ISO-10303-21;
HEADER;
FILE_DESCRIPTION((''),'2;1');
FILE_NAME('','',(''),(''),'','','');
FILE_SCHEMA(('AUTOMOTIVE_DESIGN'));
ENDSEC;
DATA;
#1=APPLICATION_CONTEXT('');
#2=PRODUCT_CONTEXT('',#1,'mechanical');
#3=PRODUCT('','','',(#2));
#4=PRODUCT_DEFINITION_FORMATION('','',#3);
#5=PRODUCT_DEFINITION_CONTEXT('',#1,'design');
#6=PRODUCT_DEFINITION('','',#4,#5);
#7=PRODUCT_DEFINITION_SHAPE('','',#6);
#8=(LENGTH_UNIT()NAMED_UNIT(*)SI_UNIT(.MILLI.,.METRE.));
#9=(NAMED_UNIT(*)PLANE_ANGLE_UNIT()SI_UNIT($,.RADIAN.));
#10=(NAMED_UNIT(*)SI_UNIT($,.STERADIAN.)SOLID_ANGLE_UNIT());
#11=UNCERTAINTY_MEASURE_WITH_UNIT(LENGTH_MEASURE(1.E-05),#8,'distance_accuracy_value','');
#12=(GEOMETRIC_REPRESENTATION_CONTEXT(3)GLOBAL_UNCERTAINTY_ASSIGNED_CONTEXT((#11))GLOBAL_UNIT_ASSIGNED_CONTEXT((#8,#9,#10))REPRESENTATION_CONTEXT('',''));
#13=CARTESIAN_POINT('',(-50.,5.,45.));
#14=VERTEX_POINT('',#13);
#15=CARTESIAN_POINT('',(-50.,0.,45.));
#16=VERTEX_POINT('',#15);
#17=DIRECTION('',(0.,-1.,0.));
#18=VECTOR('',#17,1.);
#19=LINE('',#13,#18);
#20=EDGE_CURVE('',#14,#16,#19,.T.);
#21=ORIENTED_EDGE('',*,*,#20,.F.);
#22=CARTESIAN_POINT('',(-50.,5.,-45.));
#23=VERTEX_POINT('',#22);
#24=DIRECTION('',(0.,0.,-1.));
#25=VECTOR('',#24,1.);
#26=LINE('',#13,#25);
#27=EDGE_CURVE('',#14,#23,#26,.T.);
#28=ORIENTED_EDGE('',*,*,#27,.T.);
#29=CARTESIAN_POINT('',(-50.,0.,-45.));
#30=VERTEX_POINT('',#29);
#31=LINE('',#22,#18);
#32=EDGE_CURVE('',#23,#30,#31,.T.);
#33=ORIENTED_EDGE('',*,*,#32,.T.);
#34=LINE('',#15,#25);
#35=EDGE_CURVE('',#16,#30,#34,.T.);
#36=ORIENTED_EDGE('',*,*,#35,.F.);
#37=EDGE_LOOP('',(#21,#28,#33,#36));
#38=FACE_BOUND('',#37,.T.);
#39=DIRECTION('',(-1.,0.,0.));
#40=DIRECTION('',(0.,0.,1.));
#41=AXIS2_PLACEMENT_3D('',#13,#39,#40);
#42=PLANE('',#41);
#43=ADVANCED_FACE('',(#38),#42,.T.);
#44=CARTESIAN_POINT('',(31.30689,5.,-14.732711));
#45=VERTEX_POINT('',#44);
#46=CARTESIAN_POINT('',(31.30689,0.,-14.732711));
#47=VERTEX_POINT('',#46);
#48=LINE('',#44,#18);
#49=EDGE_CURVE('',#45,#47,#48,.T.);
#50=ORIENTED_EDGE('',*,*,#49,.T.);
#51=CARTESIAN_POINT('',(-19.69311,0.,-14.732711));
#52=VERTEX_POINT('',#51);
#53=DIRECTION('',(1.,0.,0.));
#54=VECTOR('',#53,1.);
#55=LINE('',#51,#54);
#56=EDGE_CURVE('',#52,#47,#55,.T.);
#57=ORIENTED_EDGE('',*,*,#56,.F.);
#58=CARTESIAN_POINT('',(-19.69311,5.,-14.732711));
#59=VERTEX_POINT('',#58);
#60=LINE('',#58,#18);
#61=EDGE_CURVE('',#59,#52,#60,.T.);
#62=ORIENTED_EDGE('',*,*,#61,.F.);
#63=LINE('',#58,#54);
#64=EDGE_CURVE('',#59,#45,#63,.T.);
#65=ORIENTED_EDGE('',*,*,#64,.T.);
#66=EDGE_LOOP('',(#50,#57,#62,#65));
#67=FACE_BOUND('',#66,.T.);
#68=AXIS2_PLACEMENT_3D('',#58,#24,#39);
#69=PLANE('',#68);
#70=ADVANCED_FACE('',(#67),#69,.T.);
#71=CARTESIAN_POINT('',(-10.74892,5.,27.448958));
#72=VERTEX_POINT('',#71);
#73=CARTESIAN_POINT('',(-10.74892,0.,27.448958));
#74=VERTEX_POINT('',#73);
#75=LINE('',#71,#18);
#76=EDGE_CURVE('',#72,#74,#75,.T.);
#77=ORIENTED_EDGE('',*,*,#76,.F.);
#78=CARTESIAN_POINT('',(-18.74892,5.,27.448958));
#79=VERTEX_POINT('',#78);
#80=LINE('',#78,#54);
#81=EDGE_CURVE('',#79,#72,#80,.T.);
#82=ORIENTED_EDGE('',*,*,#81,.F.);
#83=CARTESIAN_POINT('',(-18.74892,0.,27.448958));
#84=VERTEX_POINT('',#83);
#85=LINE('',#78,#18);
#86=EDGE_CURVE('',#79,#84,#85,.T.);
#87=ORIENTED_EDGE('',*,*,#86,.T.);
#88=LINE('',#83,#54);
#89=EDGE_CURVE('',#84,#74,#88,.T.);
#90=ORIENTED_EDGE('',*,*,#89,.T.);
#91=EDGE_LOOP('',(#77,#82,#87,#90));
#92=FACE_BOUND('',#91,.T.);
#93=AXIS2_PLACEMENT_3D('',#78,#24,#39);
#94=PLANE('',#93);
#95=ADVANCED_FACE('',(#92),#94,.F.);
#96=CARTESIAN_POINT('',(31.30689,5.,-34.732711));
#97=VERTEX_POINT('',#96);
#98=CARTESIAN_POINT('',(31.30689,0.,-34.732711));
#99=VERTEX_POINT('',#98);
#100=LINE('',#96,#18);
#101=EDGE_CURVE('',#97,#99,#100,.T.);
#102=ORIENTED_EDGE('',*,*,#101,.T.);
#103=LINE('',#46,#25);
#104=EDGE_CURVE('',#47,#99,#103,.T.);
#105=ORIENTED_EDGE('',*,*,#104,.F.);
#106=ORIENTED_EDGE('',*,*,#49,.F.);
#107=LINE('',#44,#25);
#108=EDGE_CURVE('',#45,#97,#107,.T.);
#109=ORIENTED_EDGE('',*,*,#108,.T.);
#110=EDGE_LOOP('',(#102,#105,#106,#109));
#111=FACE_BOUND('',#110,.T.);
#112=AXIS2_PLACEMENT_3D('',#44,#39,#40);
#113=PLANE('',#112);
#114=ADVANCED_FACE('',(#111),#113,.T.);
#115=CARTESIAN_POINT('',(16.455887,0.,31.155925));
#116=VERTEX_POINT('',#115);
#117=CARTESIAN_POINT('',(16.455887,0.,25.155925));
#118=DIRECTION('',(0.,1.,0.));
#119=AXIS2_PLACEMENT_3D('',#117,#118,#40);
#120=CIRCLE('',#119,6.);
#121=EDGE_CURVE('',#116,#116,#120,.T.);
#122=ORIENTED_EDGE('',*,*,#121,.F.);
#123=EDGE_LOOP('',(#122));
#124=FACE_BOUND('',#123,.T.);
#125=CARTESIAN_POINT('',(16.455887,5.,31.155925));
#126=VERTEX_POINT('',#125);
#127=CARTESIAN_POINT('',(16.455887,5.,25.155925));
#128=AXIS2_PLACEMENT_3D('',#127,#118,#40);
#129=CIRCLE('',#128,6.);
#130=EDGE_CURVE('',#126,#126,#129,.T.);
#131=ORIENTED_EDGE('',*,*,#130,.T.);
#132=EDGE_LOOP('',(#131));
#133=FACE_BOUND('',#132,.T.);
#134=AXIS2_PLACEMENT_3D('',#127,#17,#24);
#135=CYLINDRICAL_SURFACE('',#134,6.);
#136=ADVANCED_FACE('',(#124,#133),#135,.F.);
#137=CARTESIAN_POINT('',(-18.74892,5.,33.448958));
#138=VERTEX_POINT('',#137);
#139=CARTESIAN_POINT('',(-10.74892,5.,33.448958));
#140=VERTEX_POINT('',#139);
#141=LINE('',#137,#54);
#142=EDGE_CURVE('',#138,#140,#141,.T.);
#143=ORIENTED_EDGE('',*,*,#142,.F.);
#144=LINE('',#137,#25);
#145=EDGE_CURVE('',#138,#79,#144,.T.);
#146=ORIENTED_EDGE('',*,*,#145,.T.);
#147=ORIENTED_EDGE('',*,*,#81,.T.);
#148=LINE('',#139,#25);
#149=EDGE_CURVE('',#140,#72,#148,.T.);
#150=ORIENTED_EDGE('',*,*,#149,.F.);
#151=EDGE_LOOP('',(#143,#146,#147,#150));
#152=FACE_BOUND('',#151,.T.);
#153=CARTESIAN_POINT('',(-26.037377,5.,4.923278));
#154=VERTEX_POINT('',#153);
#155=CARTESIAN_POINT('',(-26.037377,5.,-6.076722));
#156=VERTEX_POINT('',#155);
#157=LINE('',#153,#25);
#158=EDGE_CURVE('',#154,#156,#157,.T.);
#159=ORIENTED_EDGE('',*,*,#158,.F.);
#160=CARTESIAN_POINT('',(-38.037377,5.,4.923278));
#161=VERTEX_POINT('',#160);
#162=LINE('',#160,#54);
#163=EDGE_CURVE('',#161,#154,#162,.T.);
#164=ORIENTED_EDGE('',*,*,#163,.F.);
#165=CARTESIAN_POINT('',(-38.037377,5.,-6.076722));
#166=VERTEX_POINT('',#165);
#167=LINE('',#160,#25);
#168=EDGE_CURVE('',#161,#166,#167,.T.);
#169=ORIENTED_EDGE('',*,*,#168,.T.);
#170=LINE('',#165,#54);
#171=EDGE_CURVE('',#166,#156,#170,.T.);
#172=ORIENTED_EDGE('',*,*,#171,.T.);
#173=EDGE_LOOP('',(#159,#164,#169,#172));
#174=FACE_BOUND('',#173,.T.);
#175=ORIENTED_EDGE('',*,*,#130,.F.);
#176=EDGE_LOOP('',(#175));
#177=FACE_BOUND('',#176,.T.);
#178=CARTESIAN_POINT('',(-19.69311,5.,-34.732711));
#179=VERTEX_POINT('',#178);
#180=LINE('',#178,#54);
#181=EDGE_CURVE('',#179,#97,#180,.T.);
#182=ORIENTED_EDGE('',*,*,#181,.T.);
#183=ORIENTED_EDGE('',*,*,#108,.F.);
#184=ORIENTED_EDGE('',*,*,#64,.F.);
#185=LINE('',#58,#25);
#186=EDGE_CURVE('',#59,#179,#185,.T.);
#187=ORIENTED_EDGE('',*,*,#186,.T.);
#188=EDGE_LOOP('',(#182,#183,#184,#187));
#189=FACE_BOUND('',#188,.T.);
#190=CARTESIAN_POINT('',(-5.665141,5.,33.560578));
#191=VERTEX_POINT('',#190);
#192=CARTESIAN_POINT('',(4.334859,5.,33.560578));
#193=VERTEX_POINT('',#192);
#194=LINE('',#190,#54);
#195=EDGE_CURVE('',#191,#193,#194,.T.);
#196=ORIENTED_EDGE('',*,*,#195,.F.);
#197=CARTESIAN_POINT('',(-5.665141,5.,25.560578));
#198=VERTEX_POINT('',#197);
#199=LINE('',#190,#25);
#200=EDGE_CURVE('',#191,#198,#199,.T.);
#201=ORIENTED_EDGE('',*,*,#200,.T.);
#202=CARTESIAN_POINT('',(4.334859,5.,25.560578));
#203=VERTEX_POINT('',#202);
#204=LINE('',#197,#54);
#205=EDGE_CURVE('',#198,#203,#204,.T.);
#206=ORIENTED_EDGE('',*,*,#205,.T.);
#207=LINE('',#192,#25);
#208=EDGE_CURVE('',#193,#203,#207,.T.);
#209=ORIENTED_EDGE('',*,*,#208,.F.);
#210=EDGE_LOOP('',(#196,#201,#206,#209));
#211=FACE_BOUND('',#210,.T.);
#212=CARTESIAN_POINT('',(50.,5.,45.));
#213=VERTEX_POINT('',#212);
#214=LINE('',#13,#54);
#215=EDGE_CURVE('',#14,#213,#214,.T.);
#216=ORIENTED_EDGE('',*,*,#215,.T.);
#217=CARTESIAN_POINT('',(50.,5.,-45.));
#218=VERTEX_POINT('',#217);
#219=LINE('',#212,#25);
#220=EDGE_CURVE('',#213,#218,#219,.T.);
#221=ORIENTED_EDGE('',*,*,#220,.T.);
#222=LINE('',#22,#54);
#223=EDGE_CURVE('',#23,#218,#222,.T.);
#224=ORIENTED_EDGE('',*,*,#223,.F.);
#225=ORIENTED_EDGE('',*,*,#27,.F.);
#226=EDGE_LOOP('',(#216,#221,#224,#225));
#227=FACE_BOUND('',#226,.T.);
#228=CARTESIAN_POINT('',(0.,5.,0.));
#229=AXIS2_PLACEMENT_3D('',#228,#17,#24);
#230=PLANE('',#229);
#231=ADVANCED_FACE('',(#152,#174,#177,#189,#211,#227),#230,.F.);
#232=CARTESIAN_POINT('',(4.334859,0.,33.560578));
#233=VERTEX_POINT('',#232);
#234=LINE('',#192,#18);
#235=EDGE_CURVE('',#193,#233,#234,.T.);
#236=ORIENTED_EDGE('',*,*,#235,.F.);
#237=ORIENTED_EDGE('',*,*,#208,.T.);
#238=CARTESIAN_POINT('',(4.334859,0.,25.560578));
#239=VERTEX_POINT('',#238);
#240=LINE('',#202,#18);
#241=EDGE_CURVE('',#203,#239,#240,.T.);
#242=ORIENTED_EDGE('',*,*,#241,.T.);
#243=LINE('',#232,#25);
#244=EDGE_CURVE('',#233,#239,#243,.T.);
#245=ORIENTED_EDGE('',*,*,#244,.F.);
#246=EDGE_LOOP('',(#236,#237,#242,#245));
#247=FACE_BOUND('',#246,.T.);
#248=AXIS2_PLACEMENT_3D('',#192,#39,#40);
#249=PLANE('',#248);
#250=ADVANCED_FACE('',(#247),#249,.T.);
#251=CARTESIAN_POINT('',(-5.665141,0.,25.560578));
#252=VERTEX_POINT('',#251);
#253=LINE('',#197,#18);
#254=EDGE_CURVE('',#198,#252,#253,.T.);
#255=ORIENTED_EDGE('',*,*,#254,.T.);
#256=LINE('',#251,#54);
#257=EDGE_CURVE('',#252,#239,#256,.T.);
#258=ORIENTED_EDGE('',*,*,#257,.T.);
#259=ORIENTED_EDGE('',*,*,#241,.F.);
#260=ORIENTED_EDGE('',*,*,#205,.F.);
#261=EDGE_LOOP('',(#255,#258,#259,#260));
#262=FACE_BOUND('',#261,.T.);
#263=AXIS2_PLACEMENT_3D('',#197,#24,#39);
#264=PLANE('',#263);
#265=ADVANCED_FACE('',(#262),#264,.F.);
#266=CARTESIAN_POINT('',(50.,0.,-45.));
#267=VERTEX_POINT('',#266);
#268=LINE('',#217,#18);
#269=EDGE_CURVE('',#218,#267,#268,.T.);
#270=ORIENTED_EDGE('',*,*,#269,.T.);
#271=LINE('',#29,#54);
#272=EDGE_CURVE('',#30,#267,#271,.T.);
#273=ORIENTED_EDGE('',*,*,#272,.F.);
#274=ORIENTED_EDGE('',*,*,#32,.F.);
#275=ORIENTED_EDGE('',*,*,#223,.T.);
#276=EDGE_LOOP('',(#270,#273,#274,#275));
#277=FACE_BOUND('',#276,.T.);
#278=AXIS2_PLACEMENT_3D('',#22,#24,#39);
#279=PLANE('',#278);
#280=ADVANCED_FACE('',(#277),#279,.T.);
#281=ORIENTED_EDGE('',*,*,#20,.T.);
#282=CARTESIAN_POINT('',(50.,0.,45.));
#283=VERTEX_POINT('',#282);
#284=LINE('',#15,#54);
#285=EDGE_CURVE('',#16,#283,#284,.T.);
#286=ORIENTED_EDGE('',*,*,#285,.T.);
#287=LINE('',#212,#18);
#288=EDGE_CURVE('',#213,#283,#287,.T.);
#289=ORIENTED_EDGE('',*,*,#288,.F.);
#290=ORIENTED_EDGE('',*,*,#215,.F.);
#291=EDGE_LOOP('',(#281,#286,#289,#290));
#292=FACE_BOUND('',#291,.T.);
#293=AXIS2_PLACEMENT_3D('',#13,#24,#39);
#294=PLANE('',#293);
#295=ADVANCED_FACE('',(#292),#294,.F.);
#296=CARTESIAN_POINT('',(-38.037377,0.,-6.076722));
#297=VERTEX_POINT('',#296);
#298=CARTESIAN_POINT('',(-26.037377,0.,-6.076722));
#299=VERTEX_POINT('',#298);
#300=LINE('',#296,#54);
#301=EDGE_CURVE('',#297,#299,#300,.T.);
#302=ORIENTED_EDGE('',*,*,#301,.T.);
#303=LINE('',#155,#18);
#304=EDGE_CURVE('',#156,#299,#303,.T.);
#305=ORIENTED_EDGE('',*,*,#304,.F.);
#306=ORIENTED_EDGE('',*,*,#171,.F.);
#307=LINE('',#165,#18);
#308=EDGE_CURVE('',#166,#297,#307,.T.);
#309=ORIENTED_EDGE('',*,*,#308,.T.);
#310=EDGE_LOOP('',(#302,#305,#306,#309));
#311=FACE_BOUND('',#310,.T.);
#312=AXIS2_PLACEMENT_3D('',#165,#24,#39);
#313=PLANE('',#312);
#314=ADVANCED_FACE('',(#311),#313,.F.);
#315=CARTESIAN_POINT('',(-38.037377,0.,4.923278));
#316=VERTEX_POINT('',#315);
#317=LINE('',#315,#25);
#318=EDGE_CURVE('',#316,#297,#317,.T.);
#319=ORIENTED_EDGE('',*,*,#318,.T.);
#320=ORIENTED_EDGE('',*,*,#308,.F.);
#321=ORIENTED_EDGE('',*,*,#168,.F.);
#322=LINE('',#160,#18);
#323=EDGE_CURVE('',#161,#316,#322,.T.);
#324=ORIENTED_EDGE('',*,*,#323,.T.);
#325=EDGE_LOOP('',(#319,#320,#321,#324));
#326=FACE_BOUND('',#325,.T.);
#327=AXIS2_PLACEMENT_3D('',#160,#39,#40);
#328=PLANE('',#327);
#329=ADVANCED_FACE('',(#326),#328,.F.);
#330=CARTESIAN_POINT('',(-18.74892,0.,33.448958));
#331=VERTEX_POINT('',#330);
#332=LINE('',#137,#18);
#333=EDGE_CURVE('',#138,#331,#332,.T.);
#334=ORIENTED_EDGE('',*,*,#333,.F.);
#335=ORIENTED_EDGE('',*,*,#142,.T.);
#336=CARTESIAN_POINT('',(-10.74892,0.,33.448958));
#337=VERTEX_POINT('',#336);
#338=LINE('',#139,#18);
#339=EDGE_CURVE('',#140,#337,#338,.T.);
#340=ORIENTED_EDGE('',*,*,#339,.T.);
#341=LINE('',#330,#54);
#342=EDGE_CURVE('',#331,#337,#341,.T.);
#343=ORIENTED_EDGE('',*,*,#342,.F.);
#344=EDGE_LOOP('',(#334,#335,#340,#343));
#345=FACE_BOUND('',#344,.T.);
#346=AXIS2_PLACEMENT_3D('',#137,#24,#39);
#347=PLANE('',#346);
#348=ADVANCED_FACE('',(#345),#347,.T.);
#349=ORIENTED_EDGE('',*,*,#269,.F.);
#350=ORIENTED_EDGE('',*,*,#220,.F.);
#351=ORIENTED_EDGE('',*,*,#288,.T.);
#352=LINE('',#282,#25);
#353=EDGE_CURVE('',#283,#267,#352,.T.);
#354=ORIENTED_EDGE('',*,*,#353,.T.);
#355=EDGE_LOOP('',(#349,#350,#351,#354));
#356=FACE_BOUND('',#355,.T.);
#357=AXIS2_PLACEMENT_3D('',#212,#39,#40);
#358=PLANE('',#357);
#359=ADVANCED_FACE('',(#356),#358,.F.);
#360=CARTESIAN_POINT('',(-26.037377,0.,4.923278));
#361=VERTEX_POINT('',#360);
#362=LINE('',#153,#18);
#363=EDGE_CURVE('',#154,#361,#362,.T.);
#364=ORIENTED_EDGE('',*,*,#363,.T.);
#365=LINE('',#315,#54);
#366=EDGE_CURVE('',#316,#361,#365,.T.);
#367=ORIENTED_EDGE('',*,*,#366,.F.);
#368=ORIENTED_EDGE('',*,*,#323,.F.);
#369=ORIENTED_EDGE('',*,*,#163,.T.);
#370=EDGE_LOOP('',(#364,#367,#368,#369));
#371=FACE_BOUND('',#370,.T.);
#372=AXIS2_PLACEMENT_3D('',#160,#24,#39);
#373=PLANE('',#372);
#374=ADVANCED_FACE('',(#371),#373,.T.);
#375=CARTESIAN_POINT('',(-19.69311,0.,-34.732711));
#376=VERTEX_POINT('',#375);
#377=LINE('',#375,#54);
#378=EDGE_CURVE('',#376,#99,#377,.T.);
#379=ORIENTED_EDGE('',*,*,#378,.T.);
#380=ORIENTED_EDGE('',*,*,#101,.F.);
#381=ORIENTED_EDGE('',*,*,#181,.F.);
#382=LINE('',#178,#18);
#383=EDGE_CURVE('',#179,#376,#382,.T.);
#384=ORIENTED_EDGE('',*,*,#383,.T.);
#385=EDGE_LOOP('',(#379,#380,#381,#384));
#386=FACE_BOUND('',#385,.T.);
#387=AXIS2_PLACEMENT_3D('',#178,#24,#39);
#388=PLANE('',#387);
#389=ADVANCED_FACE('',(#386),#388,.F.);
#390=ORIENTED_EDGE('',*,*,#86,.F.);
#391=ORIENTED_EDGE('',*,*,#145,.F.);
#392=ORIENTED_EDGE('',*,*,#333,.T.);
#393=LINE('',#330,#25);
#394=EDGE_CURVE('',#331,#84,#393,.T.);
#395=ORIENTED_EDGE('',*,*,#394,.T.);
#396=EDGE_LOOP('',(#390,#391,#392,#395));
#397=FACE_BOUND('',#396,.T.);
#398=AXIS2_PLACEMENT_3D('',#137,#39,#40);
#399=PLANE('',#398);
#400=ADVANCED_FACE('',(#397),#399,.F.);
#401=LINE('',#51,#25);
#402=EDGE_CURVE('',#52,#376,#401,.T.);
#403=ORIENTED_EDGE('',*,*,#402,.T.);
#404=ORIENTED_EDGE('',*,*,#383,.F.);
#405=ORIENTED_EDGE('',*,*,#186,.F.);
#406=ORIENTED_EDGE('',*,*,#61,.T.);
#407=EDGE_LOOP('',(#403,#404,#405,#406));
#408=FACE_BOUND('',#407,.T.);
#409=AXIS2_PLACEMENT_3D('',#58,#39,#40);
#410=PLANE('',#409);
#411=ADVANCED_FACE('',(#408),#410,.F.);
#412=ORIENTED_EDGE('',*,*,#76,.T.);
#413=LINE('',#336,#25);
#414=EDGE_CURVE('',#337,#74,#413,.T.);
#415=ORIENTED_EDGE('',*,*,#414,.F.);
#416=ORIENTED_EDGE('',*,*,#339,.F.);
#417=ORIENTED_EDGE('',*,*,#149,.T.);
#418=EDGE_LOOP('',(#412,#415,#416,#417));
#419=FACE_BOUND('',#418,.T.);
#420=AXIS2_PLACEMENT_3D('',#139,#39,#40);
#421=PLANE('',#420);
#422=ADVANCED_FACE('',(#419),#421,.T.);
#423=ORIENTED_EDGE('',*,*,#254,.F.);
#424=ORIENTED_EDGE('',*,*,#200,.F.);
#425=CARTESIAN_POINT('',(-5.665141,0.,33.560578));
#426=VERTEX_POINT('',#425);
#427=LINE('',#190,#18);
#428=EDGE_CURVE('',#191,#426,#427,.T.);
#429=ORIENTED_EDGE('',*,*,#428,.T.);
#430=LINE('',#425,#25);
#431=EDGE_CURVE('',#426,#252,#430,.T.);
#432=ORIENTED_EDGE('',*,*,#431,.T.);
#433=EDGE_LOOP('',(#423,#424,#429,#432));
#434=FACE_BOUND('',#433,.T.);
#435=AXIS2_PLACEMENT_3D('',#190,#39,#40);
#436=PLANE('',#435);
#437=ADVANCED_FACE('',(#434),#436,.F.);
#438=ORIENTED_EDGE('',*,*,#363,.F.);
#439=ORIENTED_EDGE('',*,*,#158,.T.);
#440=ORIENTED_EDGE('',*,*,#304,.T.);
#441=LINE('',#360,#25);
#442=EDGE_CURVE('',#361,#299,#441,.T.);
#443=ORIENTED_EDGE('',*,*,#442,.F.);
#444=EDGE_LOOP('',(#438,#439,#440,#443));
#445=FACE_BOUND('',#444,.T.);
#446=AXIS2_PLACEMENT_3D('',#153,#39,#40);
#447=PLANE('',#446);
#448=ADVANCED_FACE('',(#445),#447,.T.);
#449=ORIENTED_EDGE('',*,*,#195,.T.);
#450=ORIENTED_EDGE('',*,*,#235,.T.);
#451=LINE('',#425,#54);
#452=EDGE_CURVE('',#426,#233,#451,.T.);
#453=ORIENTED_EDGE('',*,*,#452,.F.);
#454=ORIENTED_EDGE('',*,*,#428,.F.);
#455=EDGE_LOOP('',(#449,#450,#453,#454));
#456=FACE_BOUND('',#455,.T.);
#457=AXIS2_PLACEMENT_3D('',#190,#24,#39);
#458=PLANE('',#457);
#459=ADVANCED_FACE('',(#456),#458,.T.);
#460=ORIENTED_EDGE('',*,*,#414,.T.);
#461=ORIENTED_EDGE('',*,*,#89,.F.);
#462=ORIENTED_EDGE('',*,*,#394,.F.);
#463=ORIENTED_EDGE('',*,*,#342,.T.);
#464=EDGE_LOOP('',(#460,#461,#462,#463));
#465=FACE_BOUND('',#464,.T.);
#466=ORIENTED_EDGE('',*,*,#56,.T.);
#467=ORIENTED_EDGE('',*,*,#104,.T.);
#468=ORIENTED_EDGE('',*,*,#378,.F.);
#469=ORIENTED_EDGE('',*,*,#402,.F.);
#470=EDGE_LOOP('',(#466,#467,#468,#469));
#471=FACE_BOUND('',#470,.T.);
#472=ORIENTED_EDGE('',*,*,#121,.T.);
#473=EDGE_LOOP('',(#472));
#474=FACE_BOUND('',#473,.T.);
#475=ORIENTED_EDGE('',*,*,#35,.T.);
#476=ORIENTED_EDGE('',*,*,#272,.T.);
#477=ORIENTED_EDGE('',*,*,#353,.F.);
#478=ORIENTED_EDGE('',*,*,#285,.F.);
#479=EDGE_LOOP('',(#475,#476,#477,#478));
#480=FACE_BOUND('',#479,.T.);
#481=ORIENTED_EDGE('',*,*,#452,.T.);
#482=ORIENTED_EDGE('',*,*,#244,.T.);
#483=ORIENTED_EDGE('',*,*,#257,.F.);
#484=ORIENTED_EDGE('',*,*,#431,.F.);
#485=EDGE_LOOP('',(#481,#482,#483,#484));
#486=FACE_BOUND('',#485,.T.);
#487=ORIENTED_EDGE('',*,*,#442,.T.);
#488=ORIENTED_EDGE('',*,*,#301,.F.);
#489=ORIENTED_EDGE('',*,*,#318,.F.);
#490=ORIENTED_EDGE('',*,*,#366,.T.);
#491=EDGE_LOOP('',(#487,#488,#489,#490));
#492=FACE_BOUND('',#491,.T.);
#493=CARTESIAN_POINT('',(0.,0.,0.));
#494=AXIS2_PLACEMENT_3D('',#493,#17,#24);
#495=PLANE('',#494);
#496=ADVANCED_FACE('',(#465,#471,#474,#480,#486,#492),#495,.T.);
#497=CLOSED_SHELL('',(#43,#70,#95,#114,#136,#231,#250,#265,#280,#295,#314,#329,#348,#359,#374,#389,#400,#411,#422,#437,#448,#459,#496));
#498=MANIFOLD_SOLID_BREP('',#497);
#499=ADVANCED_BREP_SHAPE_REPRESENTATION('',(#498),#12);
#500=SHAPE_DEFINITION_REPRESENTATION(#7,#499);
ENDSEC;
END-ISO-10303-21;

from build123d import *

# Parameters (mm, degrees)
SKETCH1_W           = 100
SKETCH1_H           = 90
BOSS_EXTRUDE2_DEPTH = 5
SKETCH2_R           = 6
SKETCH2_W           = 12
SKETCH2_H           = 11
SKETCH2_W_2         = 51
SKETCH2_H_2         = 20
SKETCH2_W_3         = 10
SKETCH2_H_3         = 8
SKETCH2_W_4         = 8
SKETCH2_H_4         = 6
CUT_EXTRUDE2_DEPTH  = 68.453687816


with BuildPart() as part:
    # Sketch1 → Boss-Extrude2 (new body)
    with BuildSketch(Plane(origin=(0, 0, 0), x_dir=(1, 0, 0), z_dir=(0, 1, 0))):
        Rectangle(SKETCH1_W, SKETCH1_H)
    extrude(amount=BOSS_EXTRUDE2_DEPTH)

    # Sketch2 → Cut-Extrude2 (cut, through all)
    with BuildSketch(Plane(origin=(0, 0, 0), x_dir=(1, 0, 0), z_dir=(0, 1, 0))):
        with Locations(Location((16.455886506, -25.155924864, 0), (0, 0, 270))):
            Circle(SKETCH2_R)
        with Locations((-32.037377006, 0.57672248)):
            Rectangle(SKETCH2_W, SKETCH2_H)
        with Locations((5.806889919, 24.732711273)):
            Rectangle(SKETCH2_W_2, SKETCH2_H_2)
        with Locations((-0.665141256, -29.560577811)):
            Rectangle(SKETCH2_W_3, SKETCH2_H_3)
        with Locations((-14.748919872, -30.448958229)):
            Rectangle(SKETCH2_W_4, SKETCH2_H_4)
    extrude(amount=CUT_EXTRUDE2_DEPTH, mode=Mode.SUBTRACT)


solid = part.part
